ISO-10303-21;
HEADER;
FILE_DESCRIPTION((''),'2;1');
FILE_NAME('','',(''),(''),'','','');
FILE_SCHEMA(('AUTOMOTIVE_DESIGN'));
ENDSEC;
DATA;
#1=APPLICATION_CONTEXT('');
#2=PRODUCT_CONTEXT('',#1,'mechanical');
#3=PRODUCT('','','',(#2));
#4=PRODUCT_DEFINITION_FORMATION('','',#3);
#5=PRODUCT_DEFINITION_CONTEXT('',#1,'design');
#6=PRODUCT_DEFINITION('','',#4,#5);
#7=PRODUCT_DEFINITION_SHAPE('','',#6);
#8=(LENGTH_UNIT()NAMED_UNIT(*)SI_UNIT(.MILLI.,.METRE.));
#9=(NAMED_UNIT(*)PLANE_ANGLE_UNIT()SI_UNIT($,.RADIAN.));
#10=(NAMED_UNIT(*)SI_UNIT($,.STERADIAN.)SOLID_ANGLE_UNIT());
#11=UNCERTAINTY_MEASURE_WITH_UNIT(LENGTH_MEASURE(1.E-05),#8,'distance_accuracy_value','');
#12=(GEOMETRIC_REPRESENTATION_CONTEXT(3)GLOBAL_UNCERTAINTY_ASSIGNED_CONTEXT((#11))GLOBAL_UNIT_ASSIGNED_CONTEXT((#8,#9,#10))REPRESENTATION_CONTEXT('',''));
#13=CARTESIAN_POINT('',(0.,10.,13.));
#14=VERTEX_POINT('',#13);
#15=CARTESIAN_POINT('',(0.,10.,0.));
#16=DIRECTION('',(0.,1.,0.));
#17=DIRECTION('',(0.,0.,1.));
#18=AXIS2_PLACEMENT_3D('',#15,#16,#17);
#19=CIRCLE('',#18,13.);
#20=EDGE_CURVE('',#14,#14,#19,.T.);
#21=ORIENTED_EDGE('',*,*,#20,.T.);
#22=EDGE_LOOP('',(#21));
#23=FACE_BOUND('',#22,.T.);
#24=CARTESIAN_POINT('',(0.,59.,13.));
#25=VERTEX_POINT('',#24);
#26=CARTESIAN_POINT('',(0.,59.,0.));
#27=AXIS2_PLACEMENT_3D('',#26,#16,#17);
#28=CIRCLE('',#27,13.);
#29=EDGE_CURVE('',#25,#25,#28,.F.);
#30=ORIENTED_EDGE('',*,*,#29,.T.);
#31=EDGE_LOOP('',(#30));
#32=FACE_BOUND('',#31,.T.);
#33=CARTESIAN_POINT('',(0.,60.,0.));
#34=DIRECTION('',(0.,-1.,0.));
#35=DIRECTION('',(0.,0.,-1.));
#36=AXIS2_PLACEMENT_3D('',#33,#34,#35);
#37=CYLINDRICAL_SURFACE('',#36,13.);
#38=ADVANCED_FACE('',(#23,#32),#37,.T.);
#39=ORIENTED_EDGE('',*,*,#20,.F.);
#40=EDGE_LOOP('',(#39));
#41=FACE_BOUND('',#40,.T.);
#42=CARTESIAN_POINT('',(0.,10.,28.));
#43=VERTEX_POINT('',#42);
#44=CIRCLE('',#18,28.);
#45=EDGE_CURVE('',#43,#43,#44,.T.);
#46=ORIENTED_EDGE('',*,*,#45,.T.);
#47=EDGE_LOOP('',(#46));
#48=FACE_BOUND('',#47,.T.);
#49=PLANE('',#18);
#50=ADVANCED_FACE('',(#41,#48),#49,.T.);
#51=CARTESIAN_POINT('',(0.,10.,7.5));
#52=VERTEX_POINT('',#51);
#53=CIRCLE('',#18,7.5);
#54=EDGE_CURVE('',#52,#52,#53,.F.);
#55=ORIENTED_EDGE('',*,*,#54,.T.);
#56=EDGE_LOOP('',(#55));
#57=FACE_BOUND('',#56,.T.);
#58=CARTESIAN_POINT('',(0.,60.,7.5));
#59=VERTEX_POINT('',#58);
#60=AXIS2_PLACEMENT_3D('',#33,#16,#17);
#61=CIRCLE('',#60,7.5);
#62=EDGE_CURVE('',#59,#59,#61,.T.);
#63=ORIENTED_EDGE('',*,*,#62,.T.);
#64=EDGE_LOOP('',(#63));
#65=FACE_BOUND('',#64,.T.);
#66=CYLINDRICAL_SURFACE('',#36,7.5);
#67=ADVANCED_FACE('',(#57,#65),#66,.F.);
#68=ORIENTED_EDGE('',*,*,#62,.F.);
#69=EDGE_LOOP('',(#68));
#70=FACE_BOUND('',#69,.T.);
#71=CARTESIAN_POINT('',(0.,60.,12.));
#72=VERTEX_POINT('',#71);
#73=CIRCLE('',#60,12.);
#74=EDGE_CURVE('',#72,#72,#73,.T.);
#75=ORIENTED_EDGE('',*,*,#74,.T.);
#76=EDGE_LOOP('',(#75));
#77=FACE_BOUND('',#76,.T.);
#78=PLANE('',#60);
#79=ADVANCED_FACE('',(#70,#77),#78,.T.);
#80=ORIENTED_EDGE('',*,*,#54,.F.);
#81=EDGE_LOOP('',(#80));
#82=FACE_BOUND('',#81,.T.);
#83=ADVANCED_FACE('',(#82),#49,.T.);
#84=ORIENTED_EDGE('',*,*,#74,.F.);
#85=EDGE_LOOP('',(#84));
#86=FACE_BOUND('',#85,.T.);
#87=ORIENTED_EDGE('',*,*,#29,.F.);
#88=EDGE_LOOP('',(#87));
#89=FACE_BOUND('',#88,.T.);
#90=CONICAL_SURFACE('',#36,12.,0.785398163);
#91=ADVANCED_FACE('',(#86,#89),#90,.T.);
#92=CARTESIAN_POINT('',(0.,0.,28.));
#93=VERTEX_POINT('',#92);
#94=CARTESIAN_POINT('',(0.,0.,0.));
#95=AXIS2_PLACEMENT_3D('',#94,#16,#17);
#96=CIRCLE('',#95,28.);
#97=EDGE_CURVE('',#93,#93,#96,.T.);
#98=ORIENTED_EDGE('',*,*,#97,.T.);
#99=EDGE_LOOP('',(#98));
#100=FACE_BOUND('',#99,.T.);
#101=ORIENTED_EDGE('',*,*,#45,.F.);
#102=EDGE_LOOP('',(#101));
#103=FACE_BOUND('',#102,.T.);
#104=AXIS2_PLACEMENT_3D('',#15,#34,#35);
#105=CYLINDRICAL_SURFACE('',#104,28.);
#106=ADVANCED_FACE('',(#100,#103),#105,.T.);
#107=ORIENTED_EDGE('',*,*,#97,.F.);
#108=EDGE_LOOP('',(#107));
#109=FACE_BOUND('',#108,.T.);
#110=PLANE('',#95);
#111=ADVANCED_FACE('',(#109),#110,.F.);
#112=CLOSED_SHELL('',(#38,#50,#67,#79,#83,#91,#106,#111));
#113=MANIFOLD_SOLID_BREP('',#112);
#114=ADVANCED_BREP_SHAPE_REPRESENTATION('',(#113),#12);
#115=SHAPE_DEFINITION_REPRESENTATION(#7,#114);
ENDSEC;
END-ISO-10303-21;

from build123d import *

# Parameters (mm, degrees)
SKETCH_1_R      = 28
EXTRUDE_1_DEPTH = 10
SKETCH_2_R      = 13
SKETCH_2_R_2    = 7.5
EXTRUDE_2_DEPTH = 50
CHAMFER_1_SIZE  = 1


with BuildPart() as part:
    # 草图1 → 凸台-拉伸1 (new body)
    with BuildSketch(Plane(origin=(0, 0, 0), x_dir=(1, 0, 0), z_dir=(0, 1, 0))):
        with Locations(Location((0, 0, 0), (0, 0, 270))):
            Circle(SKETCH_1_R)
    extrude(amount=EXTRUDE_1_DEPTH)

    # 草图2 → 凸台-拉伸2 (add)
    with BuildSketch(Plane(origin=(0, 10, 0), x_dir=(1, 0, 0), z_dir=(0, 1, 0))):
        with Locations(Location((0, 0, 0), (0, 0, 270))):
            Circle(SKETCH_2_R)
        with Locations(Location((0, 0, 0), (0, 0, 270))):
            Circle(SKETCH_2_R_2, mode=Mode.SUBTRACT)
    extrude(amount=EXTRUDE_2_DEPTH)

    # 倒角1
    chamfer_1_edges = [part.edges().sort_by_distance(p)[0] for p in [
        (0, 60, -13),
    ]]
    chamfer(chamfer_1_edges, length=CHAMFER_1_SIZE)


solid = part.part
